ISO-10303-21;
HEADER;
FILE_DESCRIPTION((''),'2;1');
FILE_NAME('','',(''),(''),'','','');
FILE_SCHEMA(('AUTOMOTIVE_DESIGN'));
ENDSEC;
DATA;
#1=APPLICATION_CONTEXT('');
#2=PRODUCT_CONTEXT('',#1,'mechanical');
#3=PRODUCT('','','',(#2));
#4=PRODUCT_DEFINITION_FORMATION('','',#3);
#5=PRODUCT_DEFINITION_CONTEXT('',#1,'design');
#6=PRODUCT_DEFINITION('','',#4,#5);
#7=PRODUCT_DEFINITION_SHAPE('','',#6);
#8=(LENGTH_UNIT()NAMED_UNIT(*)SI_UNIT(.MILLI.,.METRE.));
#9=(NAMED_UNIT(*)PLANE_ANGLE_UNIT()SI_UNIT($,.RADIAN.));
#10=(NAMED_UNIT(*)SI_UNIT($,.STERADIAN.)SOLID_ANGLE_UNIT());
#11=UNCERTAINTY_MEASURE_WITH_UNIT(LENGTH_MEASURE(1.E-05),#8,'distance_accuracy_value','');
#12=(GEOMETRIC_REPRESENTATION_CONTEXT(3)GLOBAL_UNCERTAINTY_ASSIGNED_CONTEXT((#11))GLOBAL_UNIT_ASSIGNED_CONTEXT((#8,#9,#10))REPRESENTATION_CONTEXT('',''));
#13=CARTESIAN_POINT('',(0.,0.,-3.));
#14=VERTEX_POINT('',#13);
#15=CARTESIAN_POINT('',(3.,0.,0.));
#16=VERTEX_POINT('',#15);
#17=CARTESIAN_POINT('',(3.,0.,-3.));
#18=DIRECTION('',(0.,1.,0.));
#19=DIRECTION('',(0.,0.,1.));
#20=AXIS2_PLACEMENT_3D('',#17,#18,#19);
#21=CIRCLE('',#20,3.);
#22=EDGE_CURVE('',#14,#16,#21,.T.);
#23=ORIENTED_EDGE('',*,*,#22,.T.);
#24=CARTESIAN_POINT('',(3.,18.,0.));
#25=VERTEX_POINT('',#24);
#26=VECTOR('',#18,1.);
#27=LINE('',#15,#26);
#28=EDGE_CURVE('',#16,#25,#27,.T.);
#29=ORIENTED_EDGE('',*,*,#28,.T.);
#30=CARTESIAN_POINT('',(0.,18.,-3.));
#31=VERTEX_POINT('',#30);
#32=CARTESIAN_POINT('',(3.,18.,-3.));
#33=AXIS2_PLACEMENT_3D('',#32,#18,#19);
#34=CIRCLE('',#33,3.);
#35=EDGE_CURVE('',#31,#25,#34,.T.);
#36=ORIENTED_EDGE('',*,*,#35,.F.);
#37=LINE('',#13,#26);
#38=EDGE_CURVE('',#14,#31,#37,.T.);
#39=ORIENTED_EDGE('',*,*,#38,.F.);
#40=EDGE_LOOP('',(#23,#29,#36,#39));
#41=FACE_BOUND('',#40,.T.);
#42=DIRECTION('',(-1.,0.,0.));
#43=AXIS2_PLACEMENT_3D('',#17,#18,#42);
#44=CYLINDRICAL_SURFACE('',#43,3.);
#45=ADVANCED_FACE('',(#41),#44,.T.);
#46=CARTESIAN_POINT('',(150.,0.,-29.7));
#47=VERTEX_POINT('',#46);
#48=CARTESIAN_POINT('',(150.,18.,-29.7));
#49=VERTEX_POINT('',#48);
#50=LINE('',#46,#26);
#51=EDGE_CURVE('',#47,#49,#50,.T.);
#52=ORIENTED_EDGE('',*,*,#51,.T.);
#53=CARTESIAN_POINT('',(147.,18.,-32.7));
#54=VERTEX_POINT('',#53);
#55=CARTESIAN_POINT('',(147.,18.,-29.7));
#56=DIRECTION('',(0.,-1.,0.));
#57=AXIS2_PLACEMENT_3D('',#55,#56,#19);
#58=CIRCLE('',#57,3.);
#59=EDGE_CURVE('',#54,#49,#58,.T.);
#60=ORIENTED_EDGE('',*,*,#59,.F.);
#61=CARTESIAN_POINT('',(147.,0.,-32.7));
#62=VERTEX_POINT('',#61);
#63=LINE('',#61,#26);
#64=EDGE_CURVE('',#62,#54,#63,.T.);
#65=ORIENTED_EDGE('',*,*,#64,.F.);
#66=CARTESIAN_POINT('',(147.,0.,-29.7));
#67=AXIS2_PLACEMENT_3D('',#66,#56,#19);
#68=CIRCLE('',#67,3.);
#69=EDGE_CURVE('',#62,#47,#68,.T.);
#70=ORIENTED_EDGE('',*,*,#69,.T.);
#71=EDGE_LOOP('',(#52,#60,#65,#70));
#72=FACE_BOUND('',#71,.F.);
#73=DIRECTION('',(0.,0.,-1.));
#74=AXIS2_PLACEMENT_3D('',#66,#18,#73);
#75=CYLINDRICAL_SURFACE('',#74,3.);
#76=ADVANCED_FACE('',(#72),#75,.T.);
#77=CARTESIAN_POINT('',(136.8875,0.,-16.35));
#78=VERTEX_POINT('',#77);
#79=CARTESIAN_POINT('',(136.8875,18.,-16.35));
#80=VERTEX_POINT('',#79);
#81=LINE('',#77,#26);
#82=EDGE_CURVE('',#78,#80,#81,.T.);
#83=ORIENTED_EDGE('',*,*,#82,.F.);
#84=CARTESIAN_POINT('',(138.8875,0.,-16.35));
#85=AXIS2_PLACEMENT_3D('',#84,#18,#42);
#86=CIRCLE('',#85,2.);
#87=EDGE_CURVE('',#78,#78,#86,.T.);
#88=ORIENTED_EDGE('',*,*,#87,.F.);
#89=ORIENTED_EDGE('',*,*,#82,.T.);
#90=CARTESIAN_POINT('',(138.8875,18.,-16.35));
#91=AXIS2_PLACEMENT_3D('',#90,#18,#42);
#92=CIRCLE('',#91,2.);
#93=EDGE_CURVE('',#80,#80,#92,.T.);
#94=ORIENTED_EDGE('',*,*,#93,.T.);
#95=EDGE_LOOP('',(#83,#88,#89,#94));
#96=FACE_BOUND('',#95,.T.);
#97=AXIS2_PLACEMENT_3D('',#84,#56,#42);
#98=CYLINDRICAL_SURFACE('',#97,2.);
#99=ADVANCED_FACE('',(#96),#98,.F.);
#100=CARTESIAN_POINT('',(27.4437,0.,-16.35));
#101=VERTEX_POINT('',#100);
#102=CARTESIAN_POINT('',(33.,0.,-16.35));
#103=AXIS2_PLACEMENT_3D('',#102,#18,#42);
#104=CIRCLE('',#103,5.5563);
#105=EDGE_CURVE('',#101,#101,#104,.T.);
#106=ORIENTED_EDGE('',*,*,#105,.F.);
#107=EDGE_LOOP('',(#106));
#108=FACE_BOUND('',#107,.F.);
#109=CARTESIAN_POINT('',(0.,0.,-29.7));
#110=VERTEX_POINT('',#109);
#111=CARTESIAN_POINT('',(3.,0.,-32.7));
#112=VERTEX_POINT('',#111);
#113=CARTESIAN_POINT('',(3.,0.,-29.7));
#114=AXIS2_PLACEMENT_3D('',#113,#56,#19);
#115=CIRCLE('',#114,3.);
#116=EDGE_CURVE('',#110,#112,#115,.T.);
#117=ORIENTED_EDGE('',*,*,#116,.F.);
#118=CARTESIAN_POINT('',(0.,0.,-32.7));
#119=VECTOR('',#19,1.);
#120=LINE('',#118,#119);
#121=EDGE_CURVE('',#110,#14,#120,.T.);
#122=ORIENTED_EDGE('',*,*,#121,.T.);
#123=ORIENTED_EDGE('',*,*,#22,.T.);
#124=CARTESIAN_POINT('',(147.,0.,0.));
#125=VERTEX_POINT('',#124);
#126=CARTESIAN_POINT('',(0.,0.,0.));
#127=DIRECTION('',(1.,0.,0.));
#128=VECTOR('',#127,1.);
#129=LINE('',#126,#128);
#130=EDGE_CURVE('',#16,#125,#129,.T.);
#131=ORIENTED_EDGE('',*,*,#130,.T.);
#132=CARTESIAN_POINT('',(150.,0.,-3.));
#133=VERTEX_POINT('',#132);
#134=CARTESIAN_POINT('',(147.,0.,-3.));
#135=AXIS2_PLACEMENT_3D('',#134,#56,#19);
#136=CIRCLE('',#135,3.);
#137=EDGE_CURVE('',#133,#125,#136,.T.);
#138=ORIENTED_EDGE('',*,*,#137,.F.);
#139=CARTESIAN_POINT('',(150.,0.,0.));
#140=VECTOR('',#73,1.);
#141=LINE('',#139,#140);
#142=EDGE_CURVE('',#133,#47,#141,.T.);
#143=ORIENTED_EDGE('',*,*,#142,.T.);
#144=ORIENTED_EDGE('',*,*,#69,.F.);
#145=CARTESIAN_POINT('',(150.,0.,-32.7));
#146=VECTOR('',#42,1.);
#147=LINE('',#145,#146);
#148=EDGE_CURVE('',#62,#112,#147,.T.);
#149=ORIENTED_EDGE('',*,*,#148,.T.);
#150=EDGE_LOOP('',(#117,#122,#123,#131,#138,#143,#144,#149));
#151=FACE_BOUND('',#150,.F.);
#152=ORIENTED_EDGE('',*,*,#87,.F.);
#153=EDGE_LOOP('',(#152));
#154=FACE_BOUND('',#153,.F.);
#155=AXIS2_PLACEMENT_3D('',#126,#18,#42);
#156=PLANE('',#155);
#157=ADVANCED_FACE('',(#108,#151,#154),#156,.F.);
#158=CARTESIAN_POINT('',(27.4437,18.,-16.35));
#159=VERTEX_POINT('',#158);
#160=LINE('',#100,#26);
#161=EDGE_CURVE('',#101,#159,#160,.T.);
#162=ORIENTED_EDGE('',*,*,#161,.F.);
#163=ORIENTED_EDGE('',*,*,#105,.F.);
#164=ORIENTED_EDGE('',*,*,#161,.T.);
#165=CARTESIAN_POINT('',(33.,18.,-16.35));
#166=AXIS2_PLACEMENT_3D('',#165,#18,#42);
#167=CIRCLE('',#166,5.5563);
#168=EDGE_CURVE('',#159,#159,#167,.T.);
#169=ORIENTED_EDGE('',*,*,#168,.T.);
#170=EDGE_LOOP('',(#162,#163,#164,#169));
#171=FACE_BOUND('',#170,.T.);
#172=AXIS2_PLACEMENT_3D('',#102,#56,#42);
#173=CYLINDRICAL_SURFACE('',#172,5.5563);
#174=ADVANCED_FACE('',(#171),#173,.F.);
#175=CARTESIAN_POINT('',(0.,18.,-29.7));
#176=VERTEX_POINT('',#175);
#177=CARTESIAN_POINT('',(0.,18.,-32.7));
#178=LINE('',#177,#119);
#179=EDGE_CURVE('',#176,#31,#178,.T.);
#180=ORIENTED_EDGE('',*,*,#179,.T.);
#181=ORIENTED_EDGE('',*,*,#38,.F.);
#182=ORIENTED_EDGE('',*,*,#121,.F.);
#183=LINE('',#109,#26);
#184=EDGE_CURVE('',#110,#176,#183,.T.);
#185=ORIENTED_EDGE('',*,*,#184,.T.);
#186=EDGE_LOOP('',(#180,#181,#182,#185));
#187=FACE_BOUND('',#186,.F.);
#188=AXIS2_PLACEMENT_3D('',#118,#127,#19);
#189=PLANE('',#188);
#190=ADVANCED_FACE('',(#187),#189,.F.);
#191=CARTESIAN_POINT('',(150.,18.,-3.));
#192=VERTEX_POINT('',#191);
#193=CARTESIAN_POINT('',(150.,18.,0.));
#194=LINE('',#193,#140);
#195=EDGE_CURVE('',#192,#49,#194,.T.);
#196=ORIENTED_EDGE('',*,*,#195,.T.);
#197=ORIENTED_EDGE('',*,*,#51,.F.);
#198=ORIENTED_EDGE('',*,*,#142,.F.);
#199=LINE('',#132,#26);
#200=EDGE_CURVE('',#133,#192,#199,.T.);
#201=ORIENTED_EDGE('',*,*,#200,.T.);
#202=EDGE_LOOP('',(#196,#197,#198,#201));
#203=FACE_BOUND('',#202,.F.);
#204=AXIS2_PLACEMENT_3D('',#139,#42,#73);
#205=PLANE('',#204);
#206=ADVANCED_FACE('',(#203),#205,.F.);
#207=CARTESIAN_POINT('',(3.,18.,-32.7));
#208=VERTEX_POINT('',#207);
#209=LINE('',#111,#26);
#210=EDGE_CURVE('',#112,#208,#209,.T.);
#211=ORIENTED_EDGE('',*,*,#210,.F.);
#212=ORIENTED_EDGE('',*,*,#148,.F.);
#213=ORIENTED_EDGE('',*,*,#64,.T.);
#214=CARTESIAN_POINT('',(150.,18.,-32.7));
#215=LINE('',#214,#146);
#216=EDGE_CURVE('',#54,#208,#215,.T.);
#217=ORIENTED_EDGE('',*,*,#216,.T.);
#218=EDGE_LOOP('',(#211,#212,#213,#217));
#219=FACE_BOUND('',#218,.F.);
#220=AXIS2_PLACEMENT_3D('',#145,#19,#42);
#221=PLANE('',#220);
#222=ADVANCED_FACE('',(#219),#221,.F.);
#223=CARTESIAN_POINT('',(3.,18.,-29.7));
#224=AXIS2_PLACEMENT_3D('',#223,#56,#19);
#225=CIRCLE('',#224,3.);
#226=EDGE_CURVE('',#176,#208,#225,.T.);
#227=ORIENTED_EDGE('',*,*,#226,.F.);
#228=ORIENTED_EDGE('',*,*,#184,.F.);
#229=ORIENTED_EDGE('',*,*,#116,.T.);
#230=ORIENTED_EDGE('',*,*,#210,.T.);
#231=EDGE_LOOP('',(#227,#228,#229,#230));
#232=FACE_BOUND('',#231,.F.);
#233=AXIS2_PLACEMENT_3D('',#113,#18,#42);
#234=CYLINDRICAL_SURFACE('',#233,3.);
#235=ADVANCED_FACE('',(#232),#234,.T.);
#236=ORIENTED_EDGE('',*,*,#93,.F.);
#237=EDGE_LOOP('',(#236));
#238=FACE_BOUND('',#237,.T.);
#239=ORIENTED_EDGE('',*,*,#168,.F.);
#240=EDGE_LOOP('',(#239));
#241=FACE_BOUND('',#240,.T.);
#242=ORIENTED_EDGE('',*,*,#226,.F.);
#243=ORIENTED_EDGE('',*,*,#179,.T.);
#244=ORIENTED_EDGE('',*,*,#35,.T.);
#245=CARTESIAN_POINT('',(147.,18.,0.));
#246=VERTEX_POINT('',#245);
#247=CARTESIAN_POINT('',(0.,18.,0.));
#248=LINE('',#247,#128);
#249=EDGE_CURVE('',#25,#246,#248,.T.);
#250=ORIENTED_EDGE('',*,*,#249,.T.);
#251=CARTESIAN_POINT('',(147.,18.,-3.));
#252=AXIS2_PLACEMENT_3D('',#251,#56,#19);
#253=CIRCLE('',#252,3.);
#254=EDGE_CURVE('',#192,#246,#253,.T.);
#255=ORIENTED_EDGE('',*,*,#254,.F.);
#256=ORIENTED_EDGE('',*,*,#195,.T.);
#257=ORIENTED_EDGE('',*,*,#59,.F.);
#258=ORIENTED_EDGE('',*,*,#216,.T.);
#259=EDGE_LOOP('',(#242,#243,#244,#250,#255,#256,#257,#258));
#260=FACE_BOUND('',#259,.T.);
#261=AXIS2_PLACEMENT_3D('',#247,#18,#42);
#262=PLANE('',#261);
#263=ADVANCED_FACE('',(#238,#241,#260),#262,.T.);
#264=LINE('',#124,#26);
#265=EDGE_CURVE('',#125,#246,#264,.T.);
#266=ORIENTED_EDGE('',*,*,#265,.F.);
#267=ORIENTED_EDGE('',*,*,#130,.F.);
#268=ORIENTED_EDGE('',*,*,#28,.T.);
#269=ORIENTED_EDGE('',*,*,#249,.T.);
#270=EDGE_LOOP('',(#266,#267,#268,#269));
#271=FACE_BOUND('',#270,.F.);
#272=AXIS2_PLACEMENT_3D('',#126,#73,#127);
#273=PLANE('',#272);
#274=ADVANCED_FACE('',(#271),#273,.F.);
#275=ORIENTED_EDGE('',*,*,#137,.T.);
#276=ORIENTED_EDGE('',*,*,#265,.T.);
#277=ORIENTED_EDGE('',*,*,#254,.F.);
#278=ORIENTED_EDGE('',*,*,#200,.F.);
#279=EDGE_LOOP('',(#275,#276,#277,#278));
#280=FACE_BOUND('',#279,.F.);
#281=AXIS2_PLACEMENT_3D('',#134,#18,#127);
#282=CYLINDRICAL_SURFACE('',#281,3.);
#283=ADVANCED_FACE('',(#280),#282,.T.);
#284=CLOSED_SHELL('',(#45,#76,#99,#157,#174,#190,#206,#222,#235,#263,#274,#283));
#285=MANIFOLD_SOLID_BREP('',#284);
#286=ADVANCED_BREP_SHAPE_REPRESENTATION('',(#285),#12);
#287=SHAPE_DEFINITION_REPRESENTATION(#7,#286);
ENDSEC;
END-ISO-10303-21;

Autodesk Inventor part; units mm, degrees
ref_plane "YZ Plane" through (0, 0, 0) normal (1, 0, 0) x (0, 1, 0)
ref_plane "XZ Plane" through (0, 0, 0) normal (0, 1, 0) x (-1, 0, 0)
ref_plane "XY Plane" through (0, 0, 0) normal (0, 0, 1) x (1, 0, 0)
sketch "Sketch1" plane through (0, 0, 0) normal (0, 1, 0) x (-1, 0, 0)
  line L0 (0, 0) -> (-150, 0)
  line L1 (-150, 0) -> (-150, -32.7)
  line L2 (-150, -32.7) -> (0, -32.7)
  line L3 (0, -32.7) -> (0, 0)
  circle A0 centre (-33, -16.35) radius 5.5563
  circle A1 centre (-138.8875, -16.35) radius 2
  point P0 (0, -16.35)
  point P1 (-150, -16.35)
  dimension "d0" = 150
  dimension "d1" = 32.7
  dimension "d2" = 33
  dimension "d3" = 11.1125
  dimension "d4" = 11.1125
  dimension "Diametro_eje_pequeño" = 4
extrude "Extrusion1" add sketch "Sketch1" along normal blind 18
fillet "Fillet1" radius 3 4 edges at (0, 9, 0) (150, 9, 0) (150, 9, -32.7) (0, 9, -32.7)
equation "\"d1\" = ancho"
equation "\"d2\" = separacion_grande"
equation "\"d3\" = diametro_interno"
equation "\"d4\" = d3"
equation "\"Diametro_eje_pequeño\" = Diametro_eje_pequeño_1"
equation "\"ancho\" = 32.7"
equation "\"separacion_grande\" = 33"
equation "\"diametro_interno\" = 11.1125"
equation "\"Diametro_eje_pequeño_1\" = 4"
properties part number "Transmisor_grande" material "Aluminum 6061"
